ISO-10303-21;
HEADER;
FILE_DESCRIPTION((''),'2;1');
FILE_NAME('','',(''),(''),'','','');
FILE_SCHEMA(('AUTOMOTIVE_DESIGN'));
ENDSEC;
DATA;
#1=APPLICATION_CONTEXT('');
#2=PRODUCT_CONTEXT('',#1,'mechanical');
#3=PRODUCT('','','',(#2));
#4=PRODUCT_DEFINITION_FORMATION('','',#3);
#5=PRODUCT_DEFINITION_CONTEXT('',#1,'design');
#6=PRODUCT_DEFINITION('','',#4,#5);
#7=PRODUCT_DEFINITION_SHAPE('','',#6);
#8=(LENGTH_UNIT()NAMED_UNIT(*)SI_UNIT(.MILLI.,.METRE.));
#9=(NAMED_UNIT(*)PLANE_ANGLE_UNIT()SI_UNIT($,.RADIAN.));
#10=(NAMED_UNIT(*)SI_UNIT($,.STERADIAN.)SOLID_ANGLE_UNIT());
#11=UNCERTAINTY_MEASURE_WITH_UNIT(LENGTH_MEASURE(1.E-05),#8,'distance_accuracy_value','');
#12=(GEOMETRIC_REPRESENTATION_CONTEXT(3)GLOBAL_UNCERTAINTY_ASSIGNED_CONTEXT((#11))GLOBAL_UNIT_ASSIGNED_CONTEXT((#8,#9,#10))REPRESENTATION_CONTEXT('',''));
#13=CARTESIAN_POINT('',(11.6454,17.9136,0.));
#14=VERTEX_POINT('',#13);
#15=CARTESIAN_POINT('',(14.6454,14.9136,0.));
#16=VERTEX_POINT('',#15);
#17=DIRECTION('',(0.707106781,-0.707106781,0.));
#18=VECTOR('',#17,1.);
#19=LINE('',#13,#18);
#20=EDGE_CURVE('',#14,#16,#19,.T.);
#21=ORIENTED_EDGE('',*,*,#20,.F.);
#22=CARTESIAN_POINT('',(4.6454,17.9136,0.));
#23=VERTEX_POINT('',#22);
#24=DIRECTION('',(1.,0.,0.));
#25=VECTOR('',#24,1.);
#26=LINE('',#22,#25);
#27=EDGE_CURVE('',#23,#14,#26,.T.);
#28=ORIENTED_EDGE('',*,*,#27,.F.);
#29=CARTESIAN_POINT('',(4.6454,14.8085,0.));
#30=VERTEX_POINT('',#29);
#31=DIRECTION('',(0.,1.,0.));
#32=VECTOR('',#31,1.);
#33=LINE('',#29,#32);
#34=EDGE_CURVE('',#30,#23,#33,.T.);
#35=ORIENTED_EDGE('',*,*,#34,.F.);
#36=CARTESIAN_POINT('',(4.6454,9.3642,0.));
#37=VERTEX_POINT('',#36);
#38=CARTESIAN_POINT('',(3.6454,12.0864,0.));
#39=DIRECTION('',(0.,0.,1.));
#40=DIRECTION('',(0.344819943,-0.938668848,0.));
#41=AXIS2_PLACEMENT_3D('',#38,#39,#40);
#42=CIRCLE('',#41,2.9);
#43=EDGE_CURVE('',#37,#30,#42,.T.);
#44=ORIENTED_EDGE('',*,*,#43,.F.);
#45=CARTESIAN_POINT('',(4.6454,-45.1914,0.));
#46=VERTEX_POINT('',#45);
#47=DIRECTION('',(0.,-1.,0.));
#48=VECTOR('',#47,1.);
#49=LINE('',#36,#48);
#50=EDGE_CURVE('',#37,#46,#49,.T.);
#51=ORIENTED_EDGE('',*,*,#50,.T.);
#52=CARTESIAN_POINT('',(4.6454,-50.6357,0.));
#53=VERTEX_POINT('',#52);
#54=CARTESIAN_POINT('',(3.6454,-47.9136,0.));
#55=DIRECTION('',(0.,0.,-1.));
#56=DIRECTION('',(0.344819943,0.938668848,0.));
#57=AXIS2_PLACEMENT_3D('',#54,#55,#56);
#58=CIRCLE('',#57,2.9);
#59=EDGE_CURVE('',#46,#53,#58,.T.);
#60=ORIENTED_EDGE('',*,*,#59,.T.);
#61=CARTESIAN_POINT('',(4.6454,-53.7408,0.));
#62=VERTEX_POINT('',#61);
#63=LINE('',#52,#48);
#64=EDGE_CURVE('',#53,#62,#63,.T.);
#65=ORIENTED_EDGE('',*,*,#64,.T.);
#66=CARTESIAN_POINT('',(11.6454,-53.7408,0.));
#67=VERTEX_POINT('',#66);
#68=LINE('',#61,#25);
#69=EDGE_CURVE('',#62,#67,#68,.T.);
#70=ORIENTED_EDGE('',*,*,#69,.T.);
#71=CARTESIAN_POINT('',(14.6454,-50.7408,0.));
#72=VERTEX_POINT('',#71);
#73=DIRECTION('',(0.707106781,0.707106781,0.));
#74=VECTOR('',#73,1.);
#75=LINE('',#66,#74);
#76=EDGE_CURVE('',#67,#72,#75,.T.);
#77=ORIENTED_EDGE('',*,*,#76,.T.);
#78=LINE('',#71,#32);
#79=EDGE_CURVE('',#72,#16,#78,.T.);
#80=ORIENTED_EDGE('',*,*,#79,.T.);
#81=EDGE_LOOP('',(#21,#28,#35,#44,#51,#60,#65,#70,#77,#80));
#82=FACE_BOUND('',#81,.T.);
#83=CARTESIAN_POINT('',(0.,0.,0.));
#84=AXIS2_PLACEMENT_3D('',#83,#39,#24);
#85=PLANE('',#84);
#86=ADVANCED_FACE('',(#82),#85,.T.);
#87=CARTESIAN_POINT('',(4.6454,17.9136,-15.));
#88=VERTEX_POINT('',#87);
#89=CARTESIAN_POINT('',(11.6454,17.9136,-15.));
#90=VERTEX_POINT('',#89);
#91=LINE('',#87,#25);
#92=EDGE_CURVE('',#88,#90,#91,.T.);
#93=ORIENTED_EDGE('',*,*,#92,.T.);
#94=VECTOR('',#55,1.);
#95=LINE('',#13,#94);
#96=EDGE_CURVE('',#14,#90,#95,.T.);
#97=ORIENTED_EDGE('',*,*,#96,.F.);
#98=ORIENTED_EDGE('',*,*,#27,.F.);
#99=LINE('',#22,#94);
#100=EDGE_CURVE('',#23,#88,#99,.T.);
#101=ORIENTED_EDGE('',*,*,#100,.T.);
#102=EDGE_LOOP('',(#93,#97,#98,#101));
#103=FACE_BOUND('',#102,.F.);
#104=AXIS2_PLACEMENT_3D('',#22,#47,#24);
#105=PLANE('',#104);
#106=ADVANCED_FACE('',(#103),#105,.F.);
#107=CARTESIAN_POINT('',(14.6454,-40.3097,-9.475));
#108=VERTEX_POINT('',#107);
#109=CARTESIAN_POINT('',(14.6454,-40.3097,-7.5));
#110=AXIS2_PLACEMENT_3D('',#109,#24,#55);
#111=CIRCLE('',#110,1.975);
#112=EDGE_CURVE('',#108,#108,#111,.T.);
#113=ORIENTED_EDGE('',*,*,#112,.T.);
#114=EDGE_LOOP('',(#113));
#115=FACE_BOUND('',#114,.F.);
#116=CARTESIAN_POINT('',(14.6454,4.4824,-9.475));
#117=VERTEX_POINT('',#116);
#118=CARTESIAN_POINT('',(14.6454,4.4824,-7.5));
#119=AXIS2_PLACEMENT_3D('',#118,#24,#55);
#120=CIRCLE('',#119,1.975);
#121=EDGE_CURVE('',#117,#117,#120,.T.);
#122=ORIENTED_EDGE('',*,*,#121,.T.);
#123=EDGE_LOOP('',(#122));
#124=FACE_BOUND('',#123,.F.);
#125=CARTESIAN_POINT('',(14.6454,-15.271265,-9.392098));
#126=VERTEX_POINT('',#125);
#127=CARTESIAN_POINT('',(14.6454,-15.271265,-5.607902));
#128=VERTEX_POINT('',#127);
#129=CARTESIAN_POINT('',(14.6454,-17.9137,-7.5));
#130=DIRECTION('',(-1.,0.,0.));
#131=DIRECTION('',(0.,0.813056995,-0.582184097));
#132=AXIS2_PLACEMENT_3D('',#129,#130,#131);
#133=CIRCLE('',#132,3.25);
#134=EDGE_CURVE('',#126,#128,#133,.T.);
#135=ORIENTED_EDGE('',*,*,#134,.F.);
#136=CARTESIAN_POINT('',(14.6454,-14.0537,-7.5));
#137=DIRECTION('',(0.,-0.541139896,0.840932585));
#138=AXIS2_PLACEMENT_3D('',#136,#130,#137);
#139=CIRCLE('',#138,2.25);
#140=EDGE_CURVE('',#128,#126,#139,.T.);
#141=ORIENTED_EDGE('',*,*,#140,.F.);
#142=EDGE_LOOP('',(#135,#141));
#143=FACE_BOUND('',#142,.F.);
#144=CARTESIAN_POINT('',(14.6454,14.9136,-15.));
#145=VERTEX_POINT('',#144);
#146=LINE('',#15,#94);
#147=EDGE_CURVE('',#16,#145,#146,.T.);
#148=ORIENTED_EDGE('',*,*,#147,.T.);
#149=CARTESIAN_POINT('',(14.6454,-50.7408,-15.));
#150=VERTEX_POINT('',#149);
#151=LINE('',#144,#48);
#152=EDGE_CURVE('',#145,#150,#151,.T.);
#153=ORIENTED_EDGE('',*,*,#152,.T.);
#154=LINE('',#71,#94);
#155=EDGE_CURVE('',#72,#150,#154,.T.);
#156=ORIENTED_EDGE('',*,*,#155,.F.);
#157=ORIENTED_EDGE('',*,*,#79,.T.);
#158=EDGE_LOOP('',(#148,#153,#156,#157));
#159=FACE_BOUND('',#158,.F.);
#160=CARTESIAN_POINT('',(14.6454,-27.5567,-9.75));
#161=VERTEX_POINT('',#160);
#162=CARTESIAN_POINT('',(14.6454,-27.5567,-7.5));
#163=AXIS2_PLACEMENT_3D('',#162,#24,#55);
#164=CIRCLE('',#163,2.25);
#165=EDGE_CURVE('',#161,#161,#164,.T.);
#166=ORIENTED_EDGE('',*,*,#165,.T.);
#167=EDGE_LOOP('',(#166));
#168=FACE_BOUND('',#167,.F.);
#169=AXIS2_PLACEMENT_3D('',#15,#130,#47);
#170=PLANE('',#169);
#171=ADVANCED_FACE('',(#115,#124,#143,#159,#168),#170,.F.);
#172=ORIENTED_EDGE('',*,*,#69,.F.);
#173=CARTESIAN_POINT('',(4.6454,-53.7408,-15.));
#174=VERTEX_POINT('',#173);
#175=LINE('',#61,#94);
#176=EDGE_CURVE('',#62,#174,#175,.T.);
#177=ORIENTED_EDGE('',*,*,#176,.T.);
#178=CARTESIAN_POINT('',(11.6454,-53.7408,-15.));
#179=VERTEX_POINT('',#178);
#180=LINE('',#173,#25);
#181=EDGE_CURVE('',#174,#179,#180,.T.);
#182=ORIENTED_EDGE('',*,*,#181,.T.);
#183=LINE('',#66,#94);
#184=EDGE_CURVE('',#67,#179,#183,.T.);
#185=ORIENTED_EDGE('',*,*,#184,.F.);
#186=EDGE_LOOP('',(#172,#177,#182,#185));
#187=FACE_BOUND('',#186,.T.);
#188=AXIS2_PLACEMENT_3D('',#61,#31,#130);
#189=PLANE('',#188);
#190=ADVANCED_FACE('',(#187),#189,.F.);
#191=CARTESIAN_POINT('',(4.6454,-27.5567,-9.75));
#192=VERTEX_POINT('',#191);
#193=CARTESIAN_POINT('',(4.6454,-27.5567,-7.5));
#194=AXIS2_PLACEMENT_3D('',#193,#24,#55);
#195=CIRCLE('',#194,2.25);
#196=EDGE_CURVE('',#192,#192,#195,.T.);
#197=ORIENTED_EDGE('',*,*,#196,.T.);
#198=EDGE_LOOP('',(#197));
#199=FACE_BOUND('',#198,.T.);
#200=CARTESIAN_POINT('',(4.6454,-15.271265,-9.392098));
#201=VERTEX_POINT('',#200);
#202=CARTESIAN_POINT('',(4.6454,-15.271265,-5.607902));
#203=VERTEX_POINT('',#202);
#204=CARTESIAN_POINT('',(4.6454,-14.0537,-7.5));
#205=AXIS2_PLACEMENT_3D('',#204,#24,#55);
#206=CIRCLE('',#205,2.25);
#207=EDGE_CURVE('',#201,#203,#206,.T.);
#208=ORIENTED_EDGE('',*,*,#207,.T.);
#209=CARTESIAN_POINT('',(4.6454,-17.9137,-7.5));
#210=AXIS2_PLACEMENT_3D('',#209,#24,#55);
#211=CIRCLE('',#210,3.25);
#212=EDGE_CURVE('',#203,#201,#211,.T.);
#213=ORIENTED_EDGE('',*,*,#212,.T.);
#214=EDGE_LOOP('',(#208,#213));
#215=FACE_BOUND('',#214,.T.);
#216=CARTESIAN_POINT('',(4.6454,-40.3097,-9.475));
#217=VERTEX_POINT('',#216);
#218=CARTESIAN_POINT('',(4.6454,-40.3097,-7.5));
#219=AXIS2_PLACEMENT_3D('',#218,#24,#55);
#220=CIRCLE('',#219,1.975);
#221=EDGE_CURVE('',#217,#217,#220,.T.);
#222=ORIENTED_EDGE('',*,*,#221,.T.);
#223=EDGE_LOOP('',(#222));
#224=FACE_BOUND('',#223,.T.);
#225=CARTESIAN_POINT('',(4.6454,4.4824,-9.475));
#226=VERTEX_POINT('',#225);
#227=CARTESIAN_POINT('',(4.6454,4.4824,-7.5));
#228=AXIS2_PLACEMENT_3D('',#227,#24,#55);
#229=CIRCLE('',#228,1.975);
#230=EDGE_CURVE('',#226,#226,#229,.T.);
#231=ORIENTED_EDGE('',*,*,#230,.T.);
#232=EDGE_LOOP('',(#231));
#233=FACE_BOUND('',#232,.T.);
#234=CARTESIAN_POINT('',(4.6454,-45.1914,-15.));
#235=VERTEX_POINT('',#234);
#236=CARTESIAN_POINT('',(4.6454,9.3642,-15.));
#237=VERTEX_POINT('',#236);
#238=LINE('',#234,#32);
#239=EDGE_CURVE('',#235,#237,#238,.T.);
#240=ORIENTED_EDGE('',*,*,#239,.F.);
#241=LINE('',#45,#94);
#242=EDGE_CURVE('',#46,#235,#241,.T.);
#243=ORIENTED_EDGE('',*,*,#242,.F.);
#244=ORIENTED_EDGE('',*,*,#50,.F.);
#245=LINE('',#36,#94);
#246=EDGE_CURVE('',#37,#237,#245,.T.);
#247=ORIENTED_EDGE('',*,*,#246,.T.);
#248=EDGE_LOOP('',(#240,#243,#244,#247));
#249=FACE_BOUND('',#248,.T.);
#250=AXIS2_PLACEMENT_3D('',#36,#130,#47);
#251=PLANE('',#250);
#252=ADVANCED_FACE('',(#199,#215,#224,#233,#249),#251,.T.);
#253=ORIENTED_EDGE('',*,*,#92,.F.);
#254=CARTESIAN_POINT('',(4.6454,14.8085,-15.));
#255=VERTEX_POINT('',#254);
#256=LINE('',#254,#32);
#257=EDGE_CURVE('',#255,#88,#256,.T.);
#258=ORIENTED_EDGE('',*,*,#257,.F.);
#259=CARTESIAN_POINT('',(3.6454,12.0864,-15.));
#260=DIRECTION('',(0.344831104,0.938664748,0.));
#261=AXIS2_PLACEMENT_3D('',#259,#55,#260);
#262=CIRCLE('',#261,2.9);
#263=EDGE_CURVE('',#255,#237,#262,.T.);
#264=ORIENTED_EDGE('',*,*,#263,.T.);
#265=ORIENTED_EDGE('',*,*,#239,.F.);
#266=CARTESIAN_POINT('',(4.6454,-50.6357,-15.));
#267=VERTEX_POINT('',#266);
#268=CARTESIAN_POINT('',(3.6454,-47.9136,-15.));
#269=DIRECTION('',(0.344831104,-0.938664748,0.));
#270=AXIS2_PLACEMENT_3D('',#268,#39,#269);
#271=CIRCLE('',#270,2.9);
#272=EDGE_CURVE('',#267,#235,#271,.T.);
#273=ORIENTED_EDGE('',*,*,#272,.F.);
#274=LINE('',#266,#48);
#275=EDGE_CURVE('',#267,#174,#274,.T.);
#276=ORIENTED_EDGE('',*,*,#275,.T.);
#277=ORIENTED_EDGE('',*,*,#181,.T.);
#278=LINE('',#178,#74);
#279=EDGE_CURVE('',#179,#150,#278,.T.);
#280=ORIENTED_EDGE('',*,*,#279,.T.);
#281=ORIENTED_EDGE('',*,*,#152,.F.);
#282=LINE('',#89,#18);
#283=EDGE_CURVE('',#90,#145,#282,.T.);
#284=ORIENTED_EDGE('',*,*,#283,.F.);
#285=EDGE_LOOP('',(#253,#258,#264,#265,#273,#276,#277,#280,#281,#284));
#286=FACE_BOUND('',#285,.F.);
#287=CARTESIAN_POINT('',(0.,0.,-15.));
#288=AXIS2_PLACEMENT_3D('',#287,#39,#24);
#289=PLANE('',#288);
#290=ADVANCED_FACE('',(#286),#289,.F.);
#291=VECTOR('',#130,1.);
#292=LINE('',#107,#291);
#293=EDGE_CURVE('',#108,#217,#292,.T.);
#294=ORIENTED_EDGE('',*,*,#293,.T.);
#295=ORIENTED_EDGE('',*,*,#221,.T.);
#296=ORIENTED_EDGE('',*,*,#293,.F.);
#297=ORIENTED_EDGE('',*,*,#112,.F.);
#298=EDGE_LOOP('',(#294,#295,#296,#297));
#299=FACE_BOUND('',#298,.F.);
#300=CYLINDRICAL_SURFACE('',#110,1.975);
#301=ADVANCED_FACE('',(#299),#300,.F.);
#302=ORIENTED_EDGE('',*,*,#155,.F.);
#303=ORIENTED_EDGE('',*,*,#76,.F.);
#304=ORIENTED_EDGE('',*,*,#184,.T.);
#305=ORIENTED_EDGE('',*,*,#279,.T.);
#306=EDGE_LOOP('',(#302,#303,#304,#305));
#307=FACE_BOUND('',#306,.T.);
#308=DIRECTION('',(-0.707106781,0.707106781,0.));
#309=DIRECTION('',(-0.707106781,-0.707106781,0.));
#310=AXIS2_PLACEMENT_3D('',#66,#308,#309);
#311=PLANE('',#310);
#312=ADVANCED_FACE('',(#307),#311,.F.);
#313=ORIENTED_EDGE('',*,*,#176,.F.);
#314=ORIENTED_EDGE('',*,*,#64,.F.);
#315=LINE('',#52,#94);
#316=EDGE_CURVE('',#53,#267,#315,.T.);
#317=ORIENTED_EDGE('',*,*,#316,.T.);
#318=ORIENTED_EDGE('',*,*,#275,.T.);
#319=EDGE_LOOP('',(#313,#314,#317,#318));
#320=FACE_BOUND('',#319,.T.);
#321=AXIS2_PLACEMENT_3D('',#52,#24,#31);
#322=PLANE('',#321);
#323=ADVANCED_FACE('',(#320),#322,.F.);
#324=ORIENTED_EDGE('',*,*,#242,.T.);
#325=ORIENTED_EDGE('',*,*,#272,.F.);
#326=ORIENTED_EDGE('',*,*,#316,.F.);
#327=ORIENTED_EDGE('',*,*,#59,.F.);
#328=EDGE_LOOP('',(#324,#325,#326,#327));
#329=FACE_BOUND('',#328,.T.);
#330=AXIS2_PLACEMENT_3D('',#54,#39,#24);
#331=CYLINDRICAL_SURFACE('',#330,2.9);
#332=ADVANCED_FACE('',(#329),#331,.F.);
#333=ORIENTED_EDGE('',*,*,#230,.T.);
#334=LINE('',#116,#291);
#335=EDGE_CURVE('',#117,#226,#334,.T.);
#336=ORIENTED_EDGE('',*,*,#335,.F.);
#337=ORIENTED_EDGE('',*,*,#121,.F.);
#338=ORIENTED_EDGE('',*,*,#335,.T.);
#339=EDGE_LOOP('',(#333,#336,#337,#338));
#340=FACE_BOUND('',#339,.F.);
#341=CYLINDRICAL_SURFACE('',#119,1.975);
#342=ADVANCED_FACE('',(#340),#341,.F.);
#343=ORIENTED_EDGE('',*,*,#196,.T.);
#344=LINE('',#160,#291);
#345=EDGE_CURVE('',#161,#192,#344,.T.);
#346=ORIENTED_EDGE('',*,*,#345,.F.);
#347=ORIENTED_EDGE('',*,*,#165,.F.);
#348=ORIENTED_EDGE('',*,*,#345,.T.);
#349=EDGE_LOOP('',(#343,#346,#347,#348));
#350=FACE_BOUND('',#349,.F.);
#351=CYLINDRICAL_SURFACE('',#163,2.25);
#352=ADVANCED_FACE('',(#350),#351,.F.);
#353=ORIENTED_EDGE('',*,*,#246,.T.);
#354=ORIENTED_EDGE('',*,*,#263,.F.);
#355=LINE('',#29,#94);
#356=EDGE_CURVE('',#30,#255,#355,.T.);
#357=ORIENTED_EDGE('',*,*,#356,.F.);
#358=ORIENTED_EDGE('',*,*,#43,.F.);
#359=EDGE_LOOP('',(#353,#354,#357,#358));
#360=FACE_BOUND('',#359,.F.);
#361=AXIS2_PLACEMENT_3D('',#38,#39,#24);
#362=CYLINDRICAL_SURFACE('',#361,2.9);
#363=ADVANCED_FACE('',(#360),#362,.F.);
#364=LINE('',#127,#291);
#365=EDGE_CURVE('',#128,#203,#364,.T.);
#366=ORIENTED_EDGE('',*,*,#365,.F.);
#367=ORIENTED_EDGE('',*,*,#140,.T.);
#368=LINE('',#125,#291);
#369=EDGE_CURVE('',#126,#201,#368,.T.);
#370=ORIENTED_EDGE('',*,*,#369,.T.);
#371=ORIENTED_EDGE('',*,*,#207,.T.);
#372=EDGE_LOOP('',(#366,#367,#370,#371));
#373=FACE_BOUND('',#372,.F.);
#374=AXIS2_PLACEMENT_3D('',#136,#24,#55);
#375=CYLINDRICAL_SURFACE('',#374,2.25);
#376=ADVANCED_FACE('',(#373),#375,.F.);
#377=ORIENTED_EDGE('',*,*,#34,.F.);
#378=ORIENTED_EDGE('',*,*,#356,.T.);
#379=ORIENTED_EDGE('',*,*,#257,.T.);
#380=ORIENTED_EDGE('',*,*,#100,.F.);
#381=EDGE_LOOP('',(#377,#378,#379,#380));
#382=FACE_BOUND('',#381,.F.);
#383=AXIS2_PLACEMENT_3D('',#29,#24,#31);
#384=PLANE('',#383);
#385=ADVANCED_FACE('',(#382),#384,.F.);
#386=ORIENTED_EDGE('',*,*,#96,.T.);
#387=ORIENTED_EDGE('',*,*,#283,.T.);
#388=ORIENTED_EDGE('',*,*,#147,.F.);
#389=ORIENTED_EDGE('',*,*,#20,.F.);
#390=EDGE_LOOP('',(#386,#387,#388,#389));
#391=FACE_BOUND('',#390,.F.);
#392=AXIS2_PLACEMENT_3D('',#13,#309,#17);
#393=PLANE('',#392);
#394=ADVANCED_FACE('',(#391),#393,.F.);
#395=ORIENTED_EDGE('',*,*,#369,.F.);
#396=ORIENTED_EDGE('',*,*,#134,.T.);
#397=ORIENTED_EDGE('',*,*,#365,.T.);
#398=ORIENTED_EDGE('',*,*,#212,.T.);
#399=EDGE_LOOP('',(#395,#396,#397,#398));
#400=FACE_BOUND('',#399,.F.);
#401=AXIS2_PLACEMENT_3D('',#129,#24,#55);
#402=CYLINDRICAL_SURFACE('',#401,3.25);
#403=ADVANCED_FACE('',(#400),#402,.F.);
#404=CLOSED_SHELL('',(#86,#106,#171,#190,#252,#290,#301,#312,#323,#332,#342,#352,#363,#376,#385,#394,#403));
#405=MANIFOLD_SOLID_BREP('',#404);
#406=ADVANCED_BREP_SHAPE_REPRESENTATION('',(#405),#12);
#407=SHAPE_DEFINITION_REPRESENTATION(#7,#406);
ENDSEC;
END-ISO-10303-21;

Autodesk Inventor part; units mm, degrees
ref_plane "YZ Plane" through (0, 0, 0) normal (1, 0, 0) x (0, 1, 0)
ref_plane "XZ Plane" through (0, 0, 0) normal (0, 1, 0) x (-1, 0, 0)
sketch "Szkic1" plane through (0, 0, 0) normal (0, 0, 1) x (1, 0, 0)
  arc A0 (3, 14.9136) -> (3, 9.2591) centre (3.6454, 12.0864) ccw projected
  circle A1 centre (3.6454, 12.0864) radius 2.9
  line L0 (4.6454, 14.8085) -> (4.6454, 17.9136)
  line L1 (3, 17.9136) -> (0, 17.9136) projected
  line L2 (4.6454, 17.9136) -> (11.6454, 17.9136)
  line L3 (14.6454, 14.9136) -> (14.6454, -17.9136)
  line L4 (-2.916, -17.9136) -> (18.8782, -17.9136) construction
  line L5 (4.6454, 9.3642) -> (4.6454, -17.9136)
  line L6 (4.6454, -17.9136) -> (14.6454, -17.9136)
  line L7 (11.6454, 17.9136) -> (14.6454, 14.9136)
  point P0 (0, 0)
  dimension "d0" = 45
  dimension "d1" = 3
  dimension "d8" = 30
  dimension "d9" = 1
  dimension "d10" = 5.8
  dimension "d11" = 11
ref_plane "Płaszczyzna konstrukcyjna1" through (-3, -53.7409, -15) normal (0, 0, -1) x (0, 1, 0)
extrude "Wyciągnięcie proste1" add sketch "Szkic1" against normal up to surface (15 mm away) contours L0 L2 L7 L3 L6 L5 A1
mirror "Odbij1" about plane through (14.6454, -17.9136, 0) normal (0, -1, 0) of "Wyciągnięcie proste1"
sketch "Szkic2" plane through (14.6454, 14.9136, 0) normal (1, 0, 0) x (0, 0, -1)
  circle A0 centre (7.5, -10.4312) radius 2.1 construction
  circle A1 centre (7.5, -32.8273) radius 3.25 construction
  circle A2 centre (7.5, -55.2233) radius 2.1 construction
  circle A3 centre (7.5, -10.4312) radius 1.975
  circle A4 centre (7.5, -55.2233) radius 1.975
  circle A5 centre (7.5, -32.8273) radius 3.25
  circle A6 centre (7.5, -28.9673) radius 2.25
  circle A7 centre (7.5, -42.4703) radius 2.25
  line L0 (7.5, -28.9673) -> (7.5, -36.6873) construction
  line L1 (15, 0) -> (15, -65.6545) construction
  point P0 (0, -14.9136)
  dimension "d5" = 3.95
  dimension "d12" = 4.5
  dimension "d13" = 4.5
  dimension "d14" = 13.503
  dimension "d15" = 9.643
extrude "Wyciągnięcie proste2" cut sketch "Szkic2" against normal through all
properties part number "6xMounting_base"
